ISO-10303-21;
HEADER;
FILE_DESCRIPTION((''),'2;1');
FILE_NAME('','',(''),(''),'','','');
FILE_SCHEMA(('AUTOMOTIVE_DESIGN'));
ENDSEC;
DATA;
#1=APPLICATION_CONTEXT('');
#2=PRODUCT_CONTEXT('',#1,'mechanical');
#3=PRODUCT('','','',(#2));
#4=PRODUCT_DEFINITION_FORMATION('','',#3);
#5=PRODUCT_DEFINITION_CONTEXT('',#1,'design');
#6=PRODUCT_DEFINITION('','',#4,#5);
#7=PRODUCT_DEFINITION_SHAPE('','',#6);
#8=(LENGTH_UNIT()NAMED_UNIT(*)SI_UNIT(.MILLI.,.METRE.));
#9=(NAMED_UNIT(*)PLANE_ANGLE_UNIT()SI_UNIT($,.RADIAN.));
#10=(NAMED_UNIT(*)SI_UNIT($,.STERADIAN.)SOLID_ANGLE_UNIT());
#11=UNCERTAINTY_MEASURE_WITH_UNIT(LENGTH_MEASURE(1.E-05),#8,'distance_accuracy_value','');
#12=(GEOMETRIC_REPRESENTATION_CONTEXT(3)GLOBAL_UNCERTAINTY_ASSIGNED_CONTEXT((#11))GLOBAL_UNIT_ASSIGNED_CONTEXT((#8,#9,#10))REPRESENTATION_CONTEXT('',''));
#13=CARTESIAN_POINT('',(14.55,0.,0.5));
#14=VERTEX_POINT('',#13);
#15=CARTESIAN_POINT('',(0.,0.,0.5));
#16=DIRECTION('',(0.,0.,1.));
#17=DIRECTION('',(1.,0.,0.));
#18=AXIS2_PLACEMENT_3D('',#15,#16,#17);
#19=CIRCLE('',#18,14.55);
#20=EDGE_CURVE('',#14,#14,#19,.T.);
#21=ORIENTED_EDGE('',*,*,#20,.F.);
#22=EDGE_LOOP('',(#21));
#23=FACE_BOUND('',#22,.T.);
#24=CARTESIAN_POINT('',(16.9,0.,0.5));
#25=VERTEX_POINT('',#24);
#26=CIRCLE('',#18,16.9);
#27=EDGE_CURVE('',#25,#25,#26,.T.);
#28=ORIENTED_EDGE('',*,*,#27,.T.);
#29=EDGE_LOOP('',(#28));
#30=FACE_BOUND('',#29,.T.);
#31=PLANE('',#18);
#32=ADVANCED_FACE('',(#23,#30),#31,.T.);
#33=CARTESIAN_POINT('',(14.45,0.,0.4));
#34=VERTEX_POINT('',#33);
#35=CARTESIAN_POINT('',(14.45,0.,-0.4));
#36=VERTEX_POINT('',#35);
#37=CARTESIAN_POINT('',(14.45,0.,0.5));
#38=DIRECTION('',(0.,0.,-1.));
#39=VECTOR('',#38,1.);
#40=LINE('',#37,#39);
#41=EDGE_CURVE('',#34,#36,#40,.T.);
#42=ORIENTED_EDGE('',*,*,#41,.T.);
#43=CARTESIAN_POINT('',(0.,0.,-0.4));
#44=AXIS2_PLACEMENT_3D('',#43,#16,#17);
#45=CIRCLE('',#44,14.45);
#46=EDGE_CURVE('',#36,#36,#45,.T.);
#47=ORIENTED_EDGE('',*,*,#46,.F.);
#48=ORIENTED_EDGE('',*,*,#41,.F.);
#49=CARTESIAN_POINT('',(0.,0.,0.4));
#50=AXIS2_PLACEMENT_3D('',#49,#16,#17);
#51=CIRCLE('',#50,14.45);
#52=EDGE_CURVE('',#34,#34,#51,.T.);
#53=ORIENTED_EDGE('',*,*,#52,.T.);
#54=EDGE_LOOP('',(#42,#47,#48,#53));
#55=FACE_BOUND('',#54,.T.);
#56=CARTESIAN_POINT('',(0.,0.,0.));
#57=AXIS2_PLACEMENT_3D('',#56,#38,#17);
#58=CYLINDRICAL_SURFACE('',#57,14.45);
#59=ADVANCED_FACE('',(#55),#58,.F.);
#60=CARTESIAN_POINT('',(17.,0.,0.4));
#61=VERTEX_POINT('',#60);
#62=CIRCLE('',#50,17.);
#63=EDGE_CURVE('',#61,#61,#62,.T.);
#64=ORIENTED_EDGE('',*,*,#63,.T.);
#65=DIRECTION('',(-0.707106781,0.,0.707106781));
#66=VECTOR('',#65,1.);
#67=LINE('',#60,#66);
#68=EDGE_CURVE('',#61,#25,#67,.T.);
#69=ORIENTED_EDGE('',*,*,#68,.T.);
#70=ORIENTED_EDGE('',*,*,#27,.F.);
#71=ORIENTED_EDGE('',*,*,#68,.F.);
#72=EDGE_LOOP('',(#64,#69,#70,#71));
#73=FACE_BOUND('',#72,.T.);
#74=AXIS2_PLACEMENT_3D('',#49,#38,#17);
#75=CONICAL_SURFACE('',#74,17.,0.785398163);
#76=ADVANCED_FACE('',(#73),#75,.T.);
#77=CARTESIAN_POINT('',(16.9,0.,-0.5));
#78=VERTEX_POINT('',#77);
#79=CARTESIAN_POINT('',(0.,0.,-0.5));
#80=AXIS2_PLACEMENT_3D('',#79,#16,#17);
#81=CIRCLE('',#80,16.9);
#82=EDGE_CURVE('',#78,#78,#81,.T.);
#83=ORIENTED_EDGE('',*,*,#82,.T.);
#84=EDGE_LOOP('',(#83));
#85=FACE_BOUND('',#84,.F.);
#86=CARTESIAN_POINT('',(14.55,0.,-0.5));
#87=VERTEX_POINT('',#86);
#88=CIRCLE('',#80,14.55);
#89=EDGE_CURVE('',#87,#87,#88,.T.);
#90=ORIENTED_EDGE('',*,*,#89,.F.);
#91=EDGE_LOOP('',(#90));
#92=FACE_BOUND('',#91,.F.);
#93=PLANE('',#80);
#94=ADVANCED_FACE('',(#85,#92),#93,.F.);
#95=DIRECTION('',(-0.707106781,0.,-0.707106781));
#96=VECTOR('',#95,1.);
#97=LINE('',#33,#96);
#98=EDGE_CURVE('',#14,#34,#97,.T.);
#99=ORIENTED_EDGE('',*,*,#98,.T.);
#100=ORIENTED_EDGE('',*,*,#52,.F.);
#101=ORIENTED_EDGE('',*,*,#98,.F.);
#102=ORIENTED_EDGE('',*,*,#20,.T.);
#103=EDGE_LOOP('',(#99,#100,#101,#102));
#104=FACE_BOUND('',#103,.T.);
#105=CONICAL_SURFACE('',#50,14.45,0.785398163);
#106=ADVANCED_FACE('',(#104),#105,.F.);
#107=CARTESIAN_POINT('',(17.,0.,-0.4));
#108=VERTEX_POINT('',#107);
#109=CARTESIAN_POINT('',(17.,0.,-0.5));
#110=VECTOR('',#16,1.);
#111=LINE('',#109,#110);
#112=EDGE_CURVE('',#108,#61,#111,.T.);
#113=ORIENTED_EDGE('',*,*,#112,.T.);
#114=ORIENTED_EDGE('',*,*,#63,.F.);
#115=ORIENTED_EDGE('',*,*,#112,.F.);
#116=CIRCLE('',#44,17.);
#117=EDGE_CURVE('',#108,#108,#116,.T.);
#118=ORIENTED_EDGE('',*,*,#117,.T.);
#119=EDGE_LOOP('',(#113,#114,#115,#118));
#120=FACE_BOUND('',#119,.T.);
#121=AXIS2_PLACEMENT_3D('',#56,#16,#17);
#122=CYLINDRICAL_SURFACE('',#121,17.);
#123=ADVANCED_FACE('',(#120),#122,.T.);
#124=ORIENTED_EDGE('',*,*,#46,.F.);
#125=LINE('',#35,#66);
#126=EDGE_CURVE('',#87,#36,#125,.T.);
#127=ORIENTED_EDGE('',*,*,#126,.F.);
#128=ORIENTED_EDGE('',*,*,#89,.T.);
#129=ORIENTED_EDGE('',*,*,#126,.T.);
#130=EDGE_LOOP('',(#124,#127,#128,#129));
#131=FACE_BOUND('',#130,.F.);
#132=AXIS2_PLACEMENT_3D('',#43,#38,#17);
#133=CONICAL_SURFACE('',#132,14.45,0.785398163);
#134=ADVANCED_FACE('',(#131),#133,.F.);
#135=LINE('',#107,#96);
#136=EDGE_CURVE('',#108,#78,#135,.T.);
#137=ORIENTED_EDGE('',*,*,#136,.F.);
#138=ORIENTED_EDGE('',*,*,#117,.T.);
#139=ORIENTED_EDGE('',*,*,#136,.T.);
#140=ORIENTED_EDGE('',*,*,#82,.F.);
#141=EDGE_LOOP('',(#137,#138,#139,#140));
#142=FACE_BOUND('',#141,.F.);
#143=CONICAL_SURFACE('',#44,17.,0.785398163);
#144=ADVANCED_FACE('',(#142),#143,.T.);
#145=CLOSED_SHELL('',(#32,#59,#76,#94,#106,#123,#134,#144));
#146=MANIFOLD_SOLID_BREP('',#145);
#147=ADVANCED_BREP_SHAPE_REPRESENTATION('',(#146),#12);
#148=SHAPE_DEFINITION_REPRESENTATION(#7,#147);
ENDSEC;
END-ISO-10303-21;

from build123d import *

# Parameters (mm, degrees)
F0_R     = 17
F0_R_2   = 16
F0_R_3   = 14.45
F1_DEPTH = 0.5
F2_SIZE  = 0.1
F4_SIZE  = 0.1


with BuildPart() as f1:
    # F0 (on Top) → F1 (new body, symmetric)
    with BuildSketch(Plane.XY):
        Circle(F0_R)
        Circle(F0_R_2, mode=Mode.SUBTRACT)
        Circle(F0_R_2)
        Circle(F0_R_3, mode=Mode.SUBTRACT)
    extrude(amount=F1_DEPTH, both=True)

    # F2
    f2_edges = [f1.edges().sort_by_distance(p)[0] for p in [
        (-17, 0, 0.5),
        (-17, 0, -0.5),
    ]]
    chamfer(f2_edges, length=F2_SIZE)

    # F4
    f4_edges = [f1.edges().sort_by_distance(p)[0] for p in [
        (-14.45, 0, 0.5),
        (-14.45, 0, -0.5),
    ]]
    chamfer(f4_edges, length=F4_SIZE)


solid = f1.part
